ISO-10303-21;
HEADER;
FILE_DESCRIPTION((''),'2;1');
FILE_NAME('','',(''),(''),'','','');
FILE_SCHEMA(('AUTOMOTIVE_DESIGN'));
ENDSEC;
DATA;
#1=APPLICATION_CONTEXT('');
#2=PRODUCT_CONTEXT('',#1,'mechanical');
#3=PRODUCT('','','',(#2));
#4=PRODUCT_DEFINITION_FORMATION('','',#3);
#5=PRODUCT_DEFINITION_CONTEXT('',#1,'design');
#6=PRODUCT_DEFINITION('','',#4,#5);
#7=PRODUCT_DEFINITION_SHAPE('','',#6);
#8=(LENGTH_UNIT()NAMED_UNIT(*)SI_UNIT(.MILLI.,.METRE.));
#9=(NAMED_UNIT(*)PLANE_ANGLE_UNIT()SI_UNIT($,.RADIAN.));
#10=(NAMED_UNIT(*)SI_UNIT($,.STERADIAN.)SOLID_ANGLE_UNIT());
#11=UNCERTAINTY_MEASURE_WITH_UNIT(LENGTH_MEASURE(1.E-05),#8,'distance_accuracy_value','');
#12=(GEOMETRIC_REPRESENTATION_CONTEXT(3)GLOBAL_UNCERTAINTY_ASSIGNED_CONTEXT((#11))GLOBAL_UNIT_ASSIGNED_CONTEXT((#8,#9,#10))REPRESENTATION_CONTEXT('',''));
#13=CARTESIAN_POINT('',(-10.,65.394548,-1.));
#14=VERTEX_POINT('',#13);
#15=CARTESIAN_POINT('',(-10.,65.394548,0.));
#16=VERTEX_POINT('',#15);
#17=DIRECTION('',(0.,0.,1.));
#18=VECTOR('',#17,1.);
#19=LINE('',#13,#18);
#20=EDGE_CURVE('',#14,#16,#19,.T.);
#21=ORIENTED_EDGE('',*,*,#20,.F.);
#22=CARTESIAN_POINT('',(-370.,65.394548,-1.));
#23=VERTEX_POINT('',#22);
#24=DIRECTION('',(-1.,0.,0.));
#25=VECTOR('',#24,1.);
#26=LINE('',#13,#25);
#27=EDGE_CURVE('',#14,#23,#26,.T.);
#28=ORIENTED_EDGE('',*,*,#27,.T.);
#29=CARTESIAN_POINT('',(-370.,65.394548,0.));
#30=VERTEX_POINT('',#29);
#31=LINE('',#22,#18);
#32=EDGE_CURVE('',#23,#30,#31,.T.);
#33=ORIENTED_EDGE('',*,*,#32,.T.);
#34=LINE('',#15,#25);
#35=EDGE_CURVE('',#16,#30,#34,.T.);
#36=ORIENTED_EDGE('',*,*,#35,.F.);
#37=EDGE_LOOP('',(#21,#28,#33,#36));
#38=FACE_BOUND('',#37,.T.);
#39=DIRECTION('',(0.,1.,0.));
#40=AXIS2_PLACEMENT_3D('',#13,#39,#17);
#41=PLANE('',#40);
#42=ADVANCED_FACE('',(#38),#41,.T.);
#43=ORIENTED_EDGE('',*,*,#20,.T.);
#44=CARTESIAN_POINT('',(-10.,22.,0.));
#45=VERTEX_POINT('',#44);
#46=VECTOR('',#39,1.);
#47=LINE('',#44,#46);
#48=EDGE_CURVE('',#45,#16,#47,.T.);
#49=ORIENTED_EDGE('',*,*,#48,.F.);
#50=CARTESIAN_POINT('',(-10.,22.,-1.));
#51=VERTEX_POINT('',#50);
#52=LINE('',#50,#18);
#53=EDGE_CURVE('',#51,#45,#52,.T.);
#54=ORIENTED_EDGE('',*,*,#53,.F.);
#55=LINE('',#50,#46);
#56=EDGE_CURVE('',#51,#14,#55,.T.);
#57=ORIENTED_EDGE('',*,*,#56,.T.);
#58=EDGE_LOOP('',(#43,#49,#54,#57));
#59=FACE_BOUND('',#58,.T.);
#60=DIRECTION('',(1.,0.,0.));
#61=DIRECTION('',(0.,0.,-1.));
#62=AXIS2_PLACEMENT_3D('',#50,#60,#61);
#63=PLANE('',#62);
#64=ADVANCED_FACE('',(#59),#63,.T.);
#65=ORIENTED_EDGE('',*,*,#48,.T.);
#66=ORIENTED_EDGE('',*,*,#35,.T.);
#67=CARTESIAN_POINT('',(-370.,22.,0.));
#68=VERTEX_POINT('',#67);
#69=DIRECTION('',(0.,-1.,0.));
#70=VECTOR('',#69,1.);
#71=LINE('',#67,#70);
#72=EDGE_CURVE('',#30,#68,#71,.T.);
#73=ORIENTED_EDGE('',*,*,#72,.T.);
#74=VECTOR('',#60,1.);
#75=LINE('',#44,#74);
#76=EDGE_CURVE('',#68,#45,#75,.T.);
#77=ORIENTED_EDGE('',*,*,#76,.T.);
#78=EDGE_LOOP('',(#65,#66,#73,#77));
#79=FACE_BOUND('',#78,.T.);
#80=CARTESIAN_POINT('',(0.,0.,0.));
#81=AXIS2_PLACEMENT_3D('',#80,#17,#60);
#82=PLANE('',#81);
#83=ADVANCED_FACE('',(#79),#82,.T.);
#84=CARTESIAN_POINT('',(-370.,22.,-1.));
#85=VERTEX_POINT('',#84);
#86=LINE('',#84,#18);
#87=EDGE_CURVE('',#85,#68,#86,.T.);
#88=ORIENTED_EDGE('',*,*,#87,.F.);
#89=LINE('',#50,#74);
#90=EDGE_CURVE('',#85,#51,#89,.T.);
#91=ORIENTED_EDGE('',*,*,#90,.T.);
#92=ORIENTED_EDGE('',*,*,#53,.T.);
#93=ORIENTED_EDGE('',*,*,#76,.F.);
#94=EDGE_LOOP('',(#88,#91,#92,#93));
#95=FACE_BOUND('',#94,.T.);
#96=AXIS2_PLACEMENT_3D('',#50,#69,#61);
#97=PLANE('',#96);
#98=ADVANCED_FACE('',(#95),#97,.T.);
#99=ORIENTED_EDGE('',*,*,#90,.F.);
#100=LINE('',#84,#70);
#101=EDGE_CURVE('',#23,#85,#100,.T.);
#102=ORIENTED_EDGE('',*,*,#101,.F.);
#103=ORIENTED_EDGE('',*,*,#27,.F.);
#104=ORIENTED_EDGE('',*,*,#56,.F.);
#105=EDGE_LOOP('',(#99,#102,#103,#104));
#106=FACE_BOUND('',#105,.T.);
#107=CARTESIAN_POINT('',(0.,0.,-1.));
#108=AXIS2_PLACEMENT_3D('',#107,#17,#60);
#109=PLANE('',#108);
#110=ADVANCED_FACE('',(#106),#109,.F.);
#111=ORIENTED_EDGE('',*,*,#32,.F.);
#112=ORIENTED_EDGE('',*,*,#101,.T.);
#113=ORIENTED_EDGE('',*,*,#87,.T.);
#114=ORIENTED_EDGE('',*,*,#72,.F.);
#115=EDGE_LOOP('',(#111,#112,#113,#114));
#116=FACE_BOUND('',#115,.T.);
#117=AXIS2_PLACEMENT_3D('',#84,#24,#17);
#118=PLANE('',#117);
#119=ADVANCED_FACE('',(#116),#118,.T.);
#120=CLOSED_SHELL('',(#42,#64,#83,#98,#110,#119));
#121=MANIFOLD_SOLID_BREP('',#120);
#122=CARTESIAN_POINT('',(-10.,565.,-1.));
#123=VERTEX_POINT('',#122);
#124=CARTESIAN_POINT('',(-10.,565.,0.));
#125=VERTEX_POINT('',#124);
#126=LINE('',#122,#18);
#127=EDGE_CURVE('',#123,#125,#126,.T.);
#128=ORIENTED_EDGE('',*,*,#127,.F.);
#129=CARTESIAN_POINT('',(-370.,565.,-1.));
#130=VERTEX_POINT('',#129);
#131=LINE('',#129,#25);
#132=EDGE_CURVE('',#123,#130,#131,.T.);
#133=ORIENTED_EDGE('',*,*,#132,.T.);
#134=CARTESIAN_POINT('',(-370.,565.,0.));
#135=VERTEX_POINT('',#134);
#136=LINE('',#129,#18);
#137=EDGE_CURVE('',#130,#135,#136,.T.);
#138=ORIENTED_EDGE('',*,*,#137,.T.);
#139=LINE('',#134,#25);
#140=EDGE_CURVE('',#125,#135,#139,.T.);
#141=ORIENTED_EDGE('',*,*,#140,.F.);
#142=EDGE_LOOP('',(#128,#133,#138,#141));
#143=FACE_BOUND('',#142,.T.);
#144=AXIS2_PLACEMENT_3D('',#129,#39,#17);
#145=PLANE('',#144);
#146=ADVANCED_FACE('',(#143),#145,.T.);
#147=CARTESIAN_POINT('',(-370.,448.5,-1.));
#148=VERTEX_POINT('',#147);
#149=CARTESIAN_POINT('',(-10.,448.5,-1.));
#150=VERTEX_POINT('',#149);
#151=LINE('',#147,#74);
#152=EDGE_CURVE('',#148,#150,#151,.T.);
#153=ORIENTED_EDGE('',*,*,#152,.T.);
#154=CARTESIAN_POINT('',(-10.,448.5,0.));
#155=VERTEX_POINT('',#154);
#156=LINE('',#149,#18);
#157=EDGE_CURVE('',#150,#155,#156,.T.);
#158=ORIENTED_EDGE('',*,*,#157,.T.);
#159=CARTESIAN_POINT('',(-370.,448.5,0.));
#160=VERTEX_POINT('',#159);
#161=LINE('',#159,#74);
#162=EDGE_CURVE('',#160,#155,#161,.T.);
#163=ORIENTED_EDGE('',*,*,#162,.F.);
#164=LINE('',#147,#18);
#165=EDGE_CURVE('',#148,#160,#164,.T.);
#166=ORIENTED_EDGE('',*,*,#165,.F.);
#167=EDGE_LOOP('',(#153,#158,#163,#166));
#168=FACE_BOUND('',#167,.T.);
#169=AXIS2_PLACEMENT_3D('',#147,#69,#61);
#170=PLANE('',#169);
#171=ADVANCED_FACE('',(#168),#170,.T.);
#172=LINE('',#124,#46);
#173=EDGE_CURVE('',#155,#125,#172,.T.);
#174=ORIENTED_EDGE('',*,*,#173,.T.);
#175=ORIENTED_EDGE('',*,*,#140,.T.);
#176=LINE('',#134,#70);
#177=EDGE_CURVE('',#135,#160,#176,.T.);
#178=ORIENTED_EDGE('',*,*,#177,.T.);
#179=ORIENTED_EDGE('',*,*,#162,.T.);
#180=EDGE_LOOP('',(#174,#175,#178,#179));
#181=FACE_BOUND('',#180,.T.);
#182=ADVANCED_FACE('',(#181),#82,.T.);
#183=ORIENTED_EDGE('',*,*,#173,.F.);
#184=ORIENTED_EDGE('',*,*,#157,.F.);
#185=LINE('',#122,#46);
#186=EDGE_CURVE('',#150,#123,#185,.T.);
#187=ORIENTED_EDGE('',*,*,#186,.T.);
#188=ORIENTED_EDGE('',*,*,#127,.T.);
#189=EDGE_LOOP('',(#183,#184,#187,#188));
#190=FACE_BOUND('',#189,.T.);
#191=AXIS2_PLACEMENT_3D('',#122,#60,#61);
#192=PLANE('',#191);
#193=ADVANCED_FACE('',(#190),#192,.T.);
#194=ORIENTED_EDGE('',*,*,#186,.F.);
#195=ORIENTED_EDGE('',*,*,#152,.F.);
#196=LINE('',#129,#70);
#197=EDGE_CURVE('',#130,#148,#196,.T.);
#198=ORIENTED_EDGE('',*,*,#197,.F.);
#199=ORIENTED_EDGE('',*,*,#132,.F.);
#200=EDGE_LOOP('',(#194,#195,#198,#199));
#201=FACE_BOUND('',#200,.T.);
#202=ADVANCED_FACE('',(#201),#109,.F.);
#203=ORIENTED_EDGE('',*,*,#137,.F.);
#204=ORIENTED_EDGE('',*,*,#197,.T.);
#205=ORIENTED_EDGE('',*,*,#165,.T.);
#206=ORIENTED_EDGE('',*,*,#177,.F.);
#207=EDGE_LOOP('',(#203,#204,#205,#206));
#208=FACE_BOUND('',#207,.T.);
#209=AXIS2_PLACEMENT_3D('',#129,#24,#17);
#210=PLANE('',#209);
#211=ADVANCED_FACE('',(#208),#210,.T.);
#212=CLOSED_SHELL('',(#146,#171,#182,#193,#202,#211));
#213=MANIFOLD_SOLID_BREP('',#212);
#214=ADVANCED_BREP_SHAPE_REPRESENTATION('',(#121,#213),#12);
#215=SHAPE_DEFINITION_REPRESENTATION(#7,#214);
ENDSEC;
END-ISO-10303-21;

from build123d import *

# Parameters (mm, degrees)
SKETCH_4_W      = 360
SKETCH_4_H      = 116.5
EXTRUDE_2_DEPTH = 1
SKETCH_5_W      = 359.999999999
SKETCH_5_H      = 43.394548122
EXTRUDE_3_DEPTH = 1


with BuildPart() as part:
    # 草图4 → 凸台-拉伸2 (new body)
    with BuildSketch(Plane.XY):
        with Locations((-189.999999924, 506.750000035)):
            Rectangle(SKETCH_4_W, SKETCH_4_H)
    extrude(amount=-EXTRUDE_2_DEPTH)


with BuildPart() as body_2:
    # 草图5 → 凸台-拉伸3 (new body)
    with BuildSketch(Plane.XY):
        with Locations((-189.999999924, 43.697274061)):
            Rectangle(SKETCH_5_W, SKETCH_5_H)
    extrude(amount=-EXTRUDE_3_DEPTH)


solid = Compound([part.part, body_2.part])
